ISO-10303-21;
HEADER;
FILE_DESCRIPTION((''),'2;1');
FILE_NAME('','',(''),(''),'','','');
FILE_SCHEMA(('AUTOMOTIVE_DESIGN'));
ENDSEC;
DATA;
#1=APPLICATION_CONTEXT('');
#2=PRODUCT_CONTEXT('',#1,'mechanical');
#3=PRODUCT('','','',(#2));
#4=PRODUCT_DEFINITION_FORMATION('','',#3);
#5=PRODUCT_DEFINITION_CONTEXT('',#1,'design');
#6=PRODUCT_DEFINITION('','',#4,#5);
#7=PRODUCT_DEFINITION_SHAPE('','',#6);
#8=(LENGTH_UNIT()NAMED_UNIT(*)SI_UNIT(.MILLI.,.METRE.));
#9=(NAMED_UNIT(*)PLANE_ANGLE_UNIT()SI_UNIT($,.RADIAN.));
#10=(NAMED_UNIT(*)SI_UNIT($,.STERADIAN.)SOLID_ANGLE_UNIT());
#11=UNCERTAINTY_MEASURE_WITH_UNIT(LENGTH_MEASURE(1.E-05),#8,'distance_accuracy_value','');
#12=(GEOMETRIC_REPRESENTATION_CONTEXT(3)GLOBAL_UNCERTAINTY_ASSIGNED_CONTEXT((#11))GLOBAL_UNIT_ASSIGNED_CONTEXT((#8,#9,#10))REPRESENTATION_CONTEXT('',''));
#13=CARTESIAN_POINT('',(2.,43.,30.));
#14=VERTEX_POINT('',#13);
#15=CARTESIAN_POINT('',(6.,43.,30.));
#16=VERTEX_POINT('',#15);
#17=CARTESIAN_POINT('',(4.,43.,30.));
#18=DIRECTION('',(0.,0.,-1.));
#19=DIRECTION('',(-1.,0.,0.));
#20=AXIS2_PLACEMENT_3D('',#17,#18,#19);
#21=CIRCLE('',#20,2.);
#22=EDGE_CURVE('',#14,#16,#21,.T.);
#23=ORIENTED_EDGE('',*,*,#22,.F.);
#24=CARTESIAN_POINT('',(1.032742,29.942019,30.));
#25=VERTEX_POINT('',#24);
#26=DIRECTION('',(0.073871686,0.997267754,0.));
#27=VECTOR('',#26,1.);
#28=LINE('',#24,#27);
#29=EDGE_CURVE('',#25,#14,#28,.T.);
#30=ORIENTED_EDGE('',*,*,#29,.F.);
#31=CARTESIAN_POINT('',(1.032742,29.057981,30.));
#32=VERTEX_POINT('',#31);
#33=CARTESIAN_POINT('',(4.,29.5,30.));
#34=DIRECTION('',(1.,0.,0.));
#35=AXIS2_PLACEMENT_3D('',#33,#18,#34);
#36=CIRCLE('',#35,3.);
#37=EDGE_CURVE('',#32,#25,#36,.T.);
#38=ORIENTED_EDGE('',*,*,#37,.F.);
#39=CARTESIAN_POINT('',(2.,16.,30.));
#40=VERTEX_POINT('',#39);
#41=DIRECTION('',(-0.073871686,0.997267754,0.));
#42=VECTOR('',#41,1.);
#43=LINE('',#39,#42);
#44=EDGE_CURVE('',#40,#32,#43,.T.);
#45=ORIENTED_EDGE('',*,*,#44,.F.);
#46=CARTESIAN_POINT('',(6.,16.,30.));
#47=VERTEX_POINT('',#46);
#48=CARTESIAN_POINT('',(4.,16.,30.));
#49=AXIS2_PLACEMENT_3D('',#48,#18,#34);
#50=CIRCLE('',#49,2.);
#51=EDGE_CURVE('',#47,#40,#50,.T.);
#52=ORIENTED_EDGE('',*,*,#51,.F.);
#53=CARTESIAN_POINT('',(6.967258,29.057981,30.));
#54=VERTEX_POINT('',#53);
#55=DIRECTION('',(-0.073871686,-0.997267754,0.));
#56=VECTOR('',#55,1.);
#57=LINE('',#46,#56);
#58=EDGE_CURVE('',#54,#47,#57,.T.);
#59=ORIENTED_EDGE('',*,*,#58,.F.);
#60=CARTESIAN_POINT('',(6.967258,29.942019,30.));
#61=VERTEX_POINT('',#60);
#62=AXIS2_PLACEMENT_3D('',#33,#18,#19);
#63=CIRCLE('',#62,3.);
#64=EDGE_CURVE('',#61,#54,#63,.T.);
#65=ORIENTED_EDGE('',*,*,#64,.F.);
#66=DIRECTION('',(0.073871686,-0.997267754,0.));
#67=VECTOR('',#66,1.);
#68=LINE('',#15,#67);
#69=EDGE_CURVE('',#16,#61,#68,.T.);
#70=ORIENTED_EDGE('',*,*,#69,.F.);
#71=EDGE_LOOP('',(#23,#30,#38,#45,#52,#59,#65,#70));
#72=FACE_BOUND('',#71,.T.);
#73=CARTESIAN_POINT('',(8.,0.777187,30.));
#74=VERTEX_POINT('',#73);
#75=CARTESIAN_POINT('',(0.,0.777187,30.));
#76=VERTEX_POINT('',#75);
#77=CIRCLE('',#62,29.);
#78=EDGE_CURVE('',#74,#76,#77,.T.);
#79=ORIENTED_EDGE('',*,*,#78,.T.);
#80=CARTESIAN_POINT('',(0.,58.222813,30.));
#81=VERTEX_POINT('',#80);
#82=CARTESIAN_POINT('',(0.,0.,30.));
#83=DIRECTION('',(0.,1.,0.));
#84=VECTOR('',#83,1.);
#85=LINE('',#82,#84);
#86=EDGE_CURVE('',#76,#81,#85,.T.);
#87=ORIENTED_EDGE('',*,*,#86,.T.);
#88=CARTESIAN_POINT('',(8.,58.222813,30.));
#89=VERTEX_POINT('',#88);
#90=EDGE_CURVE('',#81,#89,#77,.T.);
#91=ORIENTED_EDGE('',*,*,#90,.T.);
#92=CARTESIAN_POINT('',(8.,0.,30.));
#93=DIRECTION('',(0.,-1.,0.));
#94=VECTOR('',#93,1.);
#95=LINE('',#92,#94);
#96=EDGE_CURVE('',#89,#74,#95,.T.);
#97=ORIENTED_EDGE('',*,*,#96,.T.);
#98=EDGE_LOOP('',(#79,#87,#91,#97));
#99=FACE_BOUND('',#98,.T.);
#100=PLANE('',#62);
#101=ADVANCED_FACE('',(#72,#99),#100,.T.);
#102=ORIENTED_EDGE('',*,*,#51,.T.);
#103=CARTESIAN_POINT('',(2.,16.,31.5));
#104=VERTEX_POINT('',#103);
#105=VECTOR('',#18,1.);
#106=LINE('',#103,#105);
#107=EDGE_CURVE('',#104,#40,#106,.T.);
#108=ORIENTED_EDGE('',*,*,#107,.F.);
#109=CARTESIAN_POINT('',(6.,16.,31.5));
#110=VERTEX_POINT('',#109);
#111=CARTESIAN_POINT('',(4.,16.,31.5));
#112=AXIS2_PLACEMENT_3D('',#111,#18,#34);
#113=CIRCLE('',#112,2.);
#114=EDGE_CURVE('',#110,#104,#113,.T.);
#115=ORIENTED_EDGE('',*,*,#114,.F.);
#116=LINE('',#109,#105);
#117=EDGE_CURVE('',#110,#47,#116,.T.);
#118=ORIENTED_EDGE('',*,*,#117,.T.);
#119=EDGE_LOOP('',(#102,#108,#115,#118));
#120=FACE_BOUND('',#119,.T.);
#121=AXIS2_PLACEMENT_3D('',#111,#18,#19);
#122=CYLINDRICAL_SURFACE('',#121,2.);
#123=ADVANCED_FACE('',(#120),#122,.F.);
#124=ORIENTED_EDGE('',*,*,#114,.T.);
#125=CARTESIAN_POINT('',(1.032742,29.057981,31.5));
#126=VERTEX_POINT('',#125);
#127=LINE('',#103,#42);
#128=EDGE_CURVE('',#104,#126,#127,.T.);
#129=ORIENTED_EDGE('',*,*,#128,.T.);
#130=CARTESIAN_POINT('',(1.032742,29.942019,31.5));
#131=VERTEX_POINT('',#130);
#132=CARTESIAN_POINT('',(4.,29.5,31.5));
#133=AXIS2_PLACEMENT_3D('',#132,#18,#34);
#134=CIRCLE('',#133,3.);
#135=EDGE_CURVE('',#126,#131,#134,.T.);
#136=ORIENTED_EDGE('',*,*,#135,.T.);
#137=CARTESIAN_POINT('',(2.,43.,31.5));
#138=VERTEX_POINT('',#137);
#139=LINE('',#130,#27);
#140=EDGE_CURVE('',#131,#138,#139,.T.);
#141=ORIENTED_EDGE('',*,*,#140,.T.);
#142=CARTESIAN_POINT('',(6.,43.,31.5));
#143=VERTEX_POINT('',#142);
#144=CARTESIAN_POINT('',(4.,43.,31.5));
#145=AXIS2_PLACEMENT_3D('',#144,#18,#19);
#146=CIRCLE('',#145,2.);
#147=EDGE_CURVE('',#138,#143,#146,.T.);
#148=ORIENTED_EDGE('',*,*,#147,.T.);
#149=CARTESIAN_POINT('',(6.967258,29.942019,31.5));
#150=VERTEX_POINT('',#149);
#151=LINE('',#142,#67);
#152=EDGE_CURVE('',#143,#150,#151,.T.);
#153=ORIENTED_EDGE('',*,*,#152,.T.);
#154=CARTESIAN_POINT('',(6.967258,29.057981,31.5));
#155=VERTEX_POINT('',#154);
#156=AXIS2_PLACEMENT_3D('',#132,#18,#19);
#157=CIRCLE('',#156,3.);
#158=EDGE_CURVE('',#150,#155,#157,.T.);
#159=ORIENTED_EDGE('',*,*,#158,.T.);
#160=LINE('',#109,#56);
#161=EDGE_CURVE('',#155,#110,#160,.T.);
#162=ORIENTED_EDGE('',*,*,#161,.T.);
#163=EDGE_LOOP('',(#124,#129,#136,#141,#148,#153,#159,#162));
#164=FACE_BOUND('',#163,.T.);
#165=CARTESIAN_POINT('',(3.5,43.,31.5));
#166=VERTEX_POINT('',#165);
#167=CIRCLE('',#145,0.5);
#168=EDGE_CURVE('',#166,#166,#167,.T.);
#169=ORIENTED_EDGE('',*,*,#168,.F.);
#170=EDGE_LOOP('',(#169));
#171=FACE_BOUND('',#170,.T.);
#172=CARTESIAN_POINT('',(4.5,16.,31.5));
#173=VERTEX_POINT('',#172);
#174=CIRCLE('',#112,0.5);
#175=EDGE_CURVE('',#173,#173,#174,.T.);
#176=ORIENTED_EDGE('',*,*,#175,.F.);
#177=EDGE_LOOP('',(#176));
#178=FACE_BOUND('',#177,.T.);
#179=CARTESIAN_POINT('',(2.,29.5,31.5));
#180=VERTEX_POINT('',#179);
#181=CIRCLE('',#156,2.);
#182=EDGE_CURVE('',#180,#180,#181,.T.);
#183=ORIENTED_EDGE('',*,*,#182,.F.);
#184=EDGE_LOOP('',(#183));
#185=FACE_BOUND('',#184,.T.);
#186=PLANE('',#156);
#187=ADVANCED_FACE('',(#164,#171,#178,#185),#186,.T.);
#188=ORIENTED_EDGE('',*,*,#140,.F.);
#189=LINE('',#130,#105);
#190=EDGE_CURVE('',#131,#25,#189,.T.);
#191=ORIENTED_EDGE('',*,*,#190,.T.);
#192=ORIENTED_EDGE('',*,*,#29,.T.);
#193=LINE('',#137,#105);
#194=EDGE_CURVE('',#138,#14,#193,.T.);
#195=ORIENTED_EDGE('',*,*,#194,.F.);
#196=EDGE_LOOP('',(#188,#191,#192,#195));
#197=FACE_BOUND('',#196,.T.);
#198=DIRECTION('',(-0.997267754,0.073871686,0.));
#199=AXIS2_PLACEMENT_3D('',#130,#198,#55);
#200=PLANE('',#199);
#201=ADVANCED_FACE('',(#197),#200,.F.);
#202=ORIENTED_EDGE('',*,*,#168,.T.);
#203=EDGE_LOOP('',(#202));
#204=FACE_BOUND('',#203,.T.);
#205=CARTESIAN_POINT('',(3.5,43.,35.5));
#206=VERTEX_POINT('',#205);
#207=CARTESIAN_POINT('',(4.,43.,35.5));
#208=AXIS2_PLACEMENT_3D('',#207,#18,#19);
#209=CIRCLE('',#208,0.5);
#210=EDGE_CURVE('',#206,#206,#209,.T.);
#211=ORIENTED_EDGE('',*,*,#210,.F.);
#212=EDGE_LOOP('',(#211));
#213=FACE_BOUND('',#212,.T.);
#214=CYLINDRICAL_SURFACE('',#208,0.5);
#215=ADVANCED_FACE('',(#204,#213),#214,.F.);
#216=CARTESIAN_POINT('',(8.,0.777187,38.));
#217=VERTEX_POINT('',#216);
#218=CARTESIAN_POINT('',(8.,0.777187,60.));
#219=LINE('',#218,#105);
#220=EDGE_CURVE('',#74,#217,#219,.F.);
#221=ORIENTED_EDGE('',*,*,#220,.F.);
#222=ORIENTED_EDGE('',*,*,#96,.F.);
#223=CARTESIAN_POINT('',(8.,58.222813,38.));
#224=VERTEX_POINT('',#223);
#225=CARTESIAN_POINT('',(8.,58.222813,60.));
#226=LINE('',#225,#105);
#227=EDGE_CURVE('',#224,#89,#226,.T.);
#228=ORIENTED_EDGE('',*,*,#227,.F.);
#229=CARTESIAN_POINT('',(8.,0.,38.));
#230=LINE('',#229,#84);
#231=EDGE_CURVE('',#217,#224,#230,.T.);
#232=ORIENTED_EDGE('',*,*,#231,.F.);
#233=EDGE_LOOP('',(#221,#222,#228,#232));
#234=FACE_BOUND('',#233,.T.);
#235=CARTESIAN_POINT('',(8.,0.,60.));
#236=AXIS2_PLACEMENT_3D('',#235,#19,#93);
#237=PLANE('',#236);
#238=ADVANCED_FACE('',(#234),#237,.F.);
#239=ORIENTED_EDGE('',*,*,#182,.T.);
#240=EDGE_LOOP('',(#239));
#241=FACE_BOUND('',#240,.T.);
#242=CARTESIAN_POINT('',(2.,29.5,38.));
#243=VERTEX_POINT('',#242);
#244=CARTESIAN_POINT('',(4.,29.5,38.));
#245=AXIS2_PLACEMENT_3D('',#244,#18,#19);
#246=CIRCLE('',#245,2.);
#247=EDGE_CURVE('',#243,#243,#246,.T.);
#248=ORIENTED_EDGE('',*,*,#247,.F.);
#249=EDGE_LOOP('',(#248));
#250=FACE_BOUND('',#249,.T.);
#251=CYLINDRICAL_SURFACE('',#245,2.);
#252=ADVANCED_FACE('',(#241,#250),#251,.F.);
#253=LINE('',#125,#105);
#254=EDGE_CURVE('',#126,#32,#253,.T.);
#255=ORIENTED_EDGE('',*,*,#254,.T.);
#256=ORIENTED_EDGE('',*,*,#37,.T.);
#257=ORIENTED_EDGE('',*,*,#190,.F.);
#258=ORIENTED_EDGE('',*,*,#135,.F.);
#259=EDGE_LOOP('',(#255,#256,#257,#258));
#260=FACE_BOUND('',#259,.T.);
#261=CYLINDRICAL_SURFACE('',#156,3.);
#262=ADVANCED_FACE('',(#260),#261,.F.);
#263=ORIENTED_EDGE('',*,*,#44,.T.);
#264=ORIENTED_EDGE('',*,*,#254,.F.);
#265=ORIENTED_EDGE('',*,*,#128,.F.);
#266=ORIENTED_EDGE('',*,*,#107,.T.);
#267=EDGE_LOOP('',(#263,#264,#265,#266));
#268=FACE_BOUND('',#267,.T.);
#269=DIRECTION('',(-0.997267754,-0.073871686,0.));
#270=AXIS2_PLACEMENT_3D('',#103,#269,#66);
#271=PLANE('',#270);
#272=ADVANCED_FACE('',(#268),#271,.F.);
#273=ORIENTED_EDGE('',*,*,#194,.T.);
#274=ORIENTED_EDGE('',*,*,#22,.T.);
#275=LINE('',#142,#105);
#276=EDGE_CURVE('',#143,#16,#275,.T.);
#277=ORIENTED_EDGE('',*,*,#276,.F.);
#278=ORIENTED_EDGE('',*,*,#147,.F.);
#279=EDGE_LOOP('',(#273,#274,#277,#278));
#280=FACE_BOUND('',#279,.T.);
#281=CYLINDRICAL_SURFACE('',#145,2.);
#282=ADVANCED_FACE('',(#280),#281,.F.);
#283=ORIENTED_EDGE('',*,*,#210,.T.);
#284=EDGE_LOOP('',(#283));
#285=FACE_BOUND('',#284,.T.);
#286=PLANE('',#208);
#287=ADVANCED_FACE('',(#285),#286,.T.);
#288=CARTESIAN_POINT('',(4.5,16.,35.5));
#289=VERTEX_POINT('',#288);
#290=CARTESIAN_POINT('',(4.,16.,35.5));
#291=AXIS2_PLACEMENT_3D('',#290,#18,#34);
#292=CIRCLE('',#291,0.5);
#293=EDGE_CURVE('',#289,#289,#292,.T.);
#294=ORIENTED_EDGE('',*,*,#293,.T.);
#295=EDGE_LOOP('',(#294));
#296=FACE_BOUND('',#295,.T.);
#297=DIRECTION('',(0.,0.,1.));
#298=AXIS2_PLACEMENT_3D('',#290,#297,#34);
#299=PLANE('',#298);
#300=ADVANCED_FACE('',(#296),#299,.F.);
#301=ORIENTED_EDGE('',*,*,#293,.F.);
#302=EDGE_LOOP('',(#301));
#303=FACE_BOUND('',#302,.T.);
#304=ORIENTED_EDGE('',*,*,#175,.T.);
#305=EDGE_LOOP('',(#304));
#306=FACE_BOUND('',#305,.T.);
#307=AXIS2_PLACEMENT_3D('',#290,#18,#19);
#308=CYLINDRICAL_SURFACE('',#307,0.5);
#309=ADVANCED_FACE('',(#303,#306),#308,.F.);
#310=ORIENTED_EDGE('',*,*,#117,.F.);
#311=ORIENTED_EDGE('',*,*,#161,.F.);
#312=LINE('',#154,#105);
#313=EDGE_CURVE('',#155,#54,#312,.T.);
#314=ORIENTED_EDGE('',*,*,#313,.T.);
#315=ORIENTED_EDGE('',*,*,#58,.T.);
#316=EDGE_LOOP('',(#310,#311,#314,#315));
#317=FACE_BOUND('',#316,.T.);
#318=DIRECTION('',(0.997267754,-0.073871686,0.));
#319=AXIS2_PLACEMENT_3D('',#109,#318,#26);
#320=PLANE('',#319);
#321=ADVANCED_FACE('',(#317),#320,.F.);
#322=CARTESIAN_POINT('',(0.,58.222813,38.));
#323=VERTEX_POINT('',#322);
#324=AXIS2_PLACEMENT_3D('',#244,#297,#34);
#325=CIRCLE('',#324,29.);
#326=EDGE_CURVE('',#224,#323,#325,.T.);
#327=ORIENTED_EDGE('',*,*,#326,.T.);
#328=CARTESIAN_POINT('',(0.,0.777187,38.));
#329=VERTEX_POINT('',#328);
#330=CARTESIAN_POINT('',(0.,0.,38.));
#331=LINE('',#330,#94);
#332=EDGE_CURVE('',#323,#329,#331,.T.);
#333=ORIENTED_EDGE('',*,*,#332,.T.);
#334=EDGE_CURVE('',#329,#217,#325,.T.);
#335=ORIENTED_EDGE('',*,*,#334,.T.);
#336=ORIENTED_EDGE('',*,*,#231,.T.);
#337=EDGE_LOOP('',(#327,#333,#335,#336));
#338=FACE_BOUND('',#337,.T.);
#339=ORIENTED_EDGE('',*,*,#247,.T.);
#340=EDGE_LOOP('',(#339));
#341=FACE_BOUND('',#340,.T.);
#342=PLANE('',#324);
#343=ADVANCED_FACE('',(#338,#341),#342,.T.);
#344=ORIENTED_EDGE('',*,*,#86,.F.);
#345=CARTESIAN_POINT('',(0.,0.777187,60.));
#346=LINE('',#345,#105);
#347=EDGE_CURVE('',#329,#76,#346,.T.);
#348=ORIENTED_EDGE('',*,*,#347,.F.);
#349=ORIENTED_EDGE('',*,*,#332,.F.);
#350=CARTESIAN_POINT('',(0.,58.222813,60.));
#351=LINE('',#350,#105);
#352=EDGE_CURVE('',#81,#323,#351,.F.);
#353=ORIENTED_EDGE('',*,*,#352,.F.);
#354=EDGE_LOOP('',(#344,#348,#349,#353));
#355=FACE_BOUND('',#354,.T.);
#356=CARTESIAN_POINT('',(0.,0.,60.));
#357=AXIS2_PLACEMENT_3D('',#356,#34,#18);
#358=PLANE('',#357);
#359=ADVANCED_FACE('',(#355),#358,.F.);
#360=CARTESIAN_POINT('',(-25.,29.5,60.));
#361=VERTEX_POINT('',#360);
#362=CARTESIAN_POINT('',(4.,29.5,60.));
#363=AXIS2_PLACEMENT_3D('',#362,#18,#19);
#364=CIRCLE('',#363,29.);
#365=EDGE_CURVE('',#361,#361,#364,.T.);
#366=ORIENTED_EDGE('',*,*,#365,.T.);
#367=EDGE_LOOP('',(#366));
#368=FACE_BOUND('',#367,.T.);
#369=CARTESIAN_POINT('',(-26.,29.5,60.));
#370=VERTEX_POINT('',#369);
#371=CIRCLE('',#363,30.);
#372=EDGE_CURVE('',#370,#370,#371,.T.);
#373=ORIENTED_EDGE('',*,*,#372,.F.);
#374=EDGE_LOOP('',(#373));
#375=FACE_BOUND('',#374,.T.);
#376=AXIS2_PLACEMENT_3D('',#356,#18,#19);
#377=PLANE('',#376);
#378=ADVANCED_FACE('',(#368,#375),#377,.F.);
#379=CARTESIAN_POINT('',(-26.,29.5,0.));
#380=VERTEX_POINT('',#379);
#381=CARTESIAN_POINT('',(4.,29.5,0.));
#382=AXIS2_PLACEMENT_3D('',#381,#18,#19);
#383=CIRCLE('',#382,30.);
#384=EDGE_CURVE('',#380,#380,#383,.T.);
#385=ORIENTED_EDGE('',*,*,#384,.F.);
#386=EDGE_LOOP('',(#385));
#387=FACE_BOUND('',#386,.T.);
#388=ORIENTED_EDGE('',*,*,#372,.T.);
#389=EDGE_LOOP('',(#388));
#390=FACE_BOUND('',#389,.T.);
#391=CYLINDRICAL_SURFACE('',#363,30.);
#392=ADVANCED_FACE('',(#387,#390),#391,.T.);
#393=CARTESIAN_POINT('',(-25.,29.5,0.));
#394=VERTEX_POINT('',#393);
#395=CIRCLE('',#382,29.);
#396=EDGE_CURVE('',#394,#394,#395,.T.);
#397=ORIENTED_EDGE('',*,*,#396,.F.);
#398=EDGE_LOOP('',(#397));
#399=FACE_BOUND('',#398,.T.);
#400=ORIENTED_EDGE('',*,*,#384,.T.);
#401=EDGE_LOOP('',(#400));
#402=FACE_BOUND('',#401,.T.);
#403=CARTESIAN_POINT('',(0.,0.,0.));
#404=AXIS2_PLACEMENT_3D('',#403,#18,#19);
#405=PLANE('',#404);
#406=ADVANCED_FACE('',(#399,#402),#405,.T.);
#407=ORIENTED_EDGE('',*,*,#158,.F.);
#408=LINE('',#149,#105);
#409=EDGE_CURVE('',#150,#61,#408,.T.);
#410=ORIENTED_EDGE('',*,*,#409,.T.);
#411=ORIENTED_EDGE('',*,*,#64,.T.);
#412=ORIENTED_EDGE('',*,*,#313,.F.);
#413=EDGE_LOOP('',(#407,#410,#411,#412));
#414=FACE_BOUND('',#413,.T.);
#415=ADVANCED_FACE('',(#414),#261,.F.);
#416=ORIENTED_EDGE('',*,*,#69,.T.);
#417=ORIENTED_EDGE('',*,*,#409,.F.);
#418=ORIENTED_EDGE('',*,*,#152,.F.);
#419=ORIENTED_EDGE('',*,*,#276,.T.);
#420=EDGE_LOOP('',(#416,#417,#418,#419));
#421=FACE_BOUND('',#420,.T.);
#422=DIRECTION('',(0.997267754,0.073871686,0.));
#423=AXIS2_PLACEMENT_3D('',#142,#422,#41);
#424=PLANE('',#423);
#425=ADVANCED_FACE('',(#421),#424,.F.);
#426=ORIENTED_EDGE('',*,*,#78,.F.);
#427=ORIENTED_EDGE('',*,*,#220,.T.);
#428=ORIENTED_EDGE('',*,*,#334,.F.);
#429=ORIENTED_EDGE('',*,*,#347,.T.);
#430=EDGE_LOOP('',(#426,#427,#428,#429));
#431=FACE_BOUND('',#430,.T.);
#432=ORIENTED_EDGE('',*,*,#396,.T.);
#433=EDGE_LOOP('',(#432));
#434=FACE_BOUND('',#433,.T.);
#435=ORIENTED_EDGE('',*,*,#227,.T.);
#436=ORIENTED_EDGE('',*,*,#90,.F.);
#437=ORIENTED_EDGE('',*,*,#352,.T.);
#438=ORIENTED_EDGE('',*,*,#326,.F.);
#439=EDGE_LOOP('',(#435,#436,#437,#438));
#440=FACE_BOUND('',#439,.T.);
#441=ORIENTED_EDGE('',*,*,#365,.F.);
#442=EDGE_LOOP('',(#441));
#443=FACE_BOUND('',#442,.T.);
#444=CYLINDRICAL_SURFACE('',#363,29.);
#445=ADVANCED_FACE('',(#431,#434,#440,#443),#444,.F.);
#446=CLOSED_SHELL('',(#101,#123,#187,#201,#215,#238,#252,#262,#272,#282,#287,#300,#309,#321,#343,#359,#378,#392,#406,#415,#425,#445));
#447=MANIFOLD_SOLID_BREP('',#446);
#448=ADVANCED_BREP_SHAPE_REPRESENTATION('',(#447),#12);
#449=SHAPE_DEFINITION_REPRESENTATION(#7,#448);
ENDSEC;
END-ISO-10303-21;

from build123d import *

# Parameters (mm, degrees)
ESQUISSE1_W             = 8
ESQUISSE1_H             = 59
BOSS_EXTRU_1_DEPTH      = 60
ESQUISSE3_R             = 30
ESQUISSE3_R_2           = 29
BOSS_EXTRU_2_DEPTH      = 60
ESQUISSE4_R             = 29
ENL_V_MAT_EXTRU_3_DEPTH = 30
ENL_V_MAT_EXTRU_5_DEPTH = 1.5
ESQUISSE6_R             = 29
ENL_V_MAT_EXTRU_6_DEPTH = 22
ESQUISSE7_R             = 2
ENL_V_MAT_EXTRU_7_DEPTH = 6.5
ESQUISSE9_R             = 0.5
ENL_V_MAT_EXTRU_8_DEPTH = 4


with BuildPart() as part:
    # Esquisse1 → Boss.-Extru.1 (new body)
    with BuildSketch(Plane.XY):
        with Locations((4, 29.5)):
            Rectangle(ESQUISSE1_W, ESQUISSE1_H)
    extrude(amount=BOSS_EXTRU_1_DEPTH)

    # Esquisse3 → Boss.-Extru.2 (add)
    with BuildSketch(Plane(origin=(0, 0, 0), x_dir=(-1, 0, 0), z_dir=(0, 0, -1))):
        with Locations((-4, 29.5)):
            Circle(ESQUISSE3_R)
        with Locations((-4, 29.5)):
            Circle(ESQUISSE3_R_2, mode=Mode.SUBTRACT)
    extrude(amount=-BOSS_EXTRU_2_DEPTH)

    # Esquisse4 → Enlèv. mat.-Extru.3 (cut)
    with BuildSketch(Plane(origin=(0, 0, 0), x_dir=(-1, 0, 0), z_dir=(0, 0, -1))):
        with Locations((-4, 29.5)):
            Circle(ESQUISSE4_R)
    extrude(amount=-ENL_V_MAT_EXTRU_3_DEPTH, mode=Mode.SUBTRACT)

    # Esquisse5 → Enlèv. mat.-Extru.5 (cut)
    with BuildSketch(Plane(origin=(0, 0, 30), x_dir=(-1, 0, 0), z_dir=(0, 0, -1))):
        with BuildLine():
            Line((-6, 43), (-6.967257844, 29.9420191))
            ThreePointArc((-6.967257844, 29.9420191), (-7, 29.5), (-6.967257844, 29.0579809))
            Line((-6.967257844, 29.0579809), (-6, 16))
            ThreePointArc((-6, 16), (-4, 14), (-2, 16))
            Line((-2, 16), (-1.032742156, 29.0579809))
            ThreePointArc((-1.032742156, 29.0579809), (-1, 29.5), (-1.032742156, 29.9420191))
            Line((-1.032742156, 29.9420191), (-2, 43))
            ThreePointArc((-2, 43), (-4, 45), (-6, 43))
        make_face()
    extrude(amount=-ENL_V_MAT_EXTRU_5_DEPTH, mode=Mode.SUBTRACT)

    # Esquisse6 → Enlèv. mat.-Extru.6 (cut)
    with BuildSketch(Plane.XY.offset(60)):
        with Locations((4, 29.5)):
            Circle(ESQUISSE6_R)
    extrude(amount=-ENL_V_MAT_EXTRU_6_DEPTH, mode=Mode.SUBTRACT)

    # Esquisse7 → Enlèv. mat.-Extru.7 (cut)
    with BuildSketch(Plane(origin=(0, 0, 31.5), x_dir=(-1, 0, 0), z_dir=(0, 0, -1))):
        with Locations((-4, 29.5)):
            Circle(ESQUISSE7_R)
    extrude(amount=-ENL_V_MAT_EXTRU_7_DEPTH, mode=Mode.SUBTRACT)

    # Esquisse9 → Enlèv. mat.-Extru.8 (cut)
    with BuildSketch(Plane(origin=(0, 0, 31.5), x_dir=(-1, 0, 0), z_dir=(0, 0, -1))):
        with Locations((-4, 43)):
            Circle(ESQUISSE9_R)
        with Locations((-4, 16)):
            Circle(ESQUISSE9_R)
    extrude(amount=-ENL_V_MAT_EXTRU_8_DEPTH, mode=Mode.SUBTRACT)


solid = part.part
